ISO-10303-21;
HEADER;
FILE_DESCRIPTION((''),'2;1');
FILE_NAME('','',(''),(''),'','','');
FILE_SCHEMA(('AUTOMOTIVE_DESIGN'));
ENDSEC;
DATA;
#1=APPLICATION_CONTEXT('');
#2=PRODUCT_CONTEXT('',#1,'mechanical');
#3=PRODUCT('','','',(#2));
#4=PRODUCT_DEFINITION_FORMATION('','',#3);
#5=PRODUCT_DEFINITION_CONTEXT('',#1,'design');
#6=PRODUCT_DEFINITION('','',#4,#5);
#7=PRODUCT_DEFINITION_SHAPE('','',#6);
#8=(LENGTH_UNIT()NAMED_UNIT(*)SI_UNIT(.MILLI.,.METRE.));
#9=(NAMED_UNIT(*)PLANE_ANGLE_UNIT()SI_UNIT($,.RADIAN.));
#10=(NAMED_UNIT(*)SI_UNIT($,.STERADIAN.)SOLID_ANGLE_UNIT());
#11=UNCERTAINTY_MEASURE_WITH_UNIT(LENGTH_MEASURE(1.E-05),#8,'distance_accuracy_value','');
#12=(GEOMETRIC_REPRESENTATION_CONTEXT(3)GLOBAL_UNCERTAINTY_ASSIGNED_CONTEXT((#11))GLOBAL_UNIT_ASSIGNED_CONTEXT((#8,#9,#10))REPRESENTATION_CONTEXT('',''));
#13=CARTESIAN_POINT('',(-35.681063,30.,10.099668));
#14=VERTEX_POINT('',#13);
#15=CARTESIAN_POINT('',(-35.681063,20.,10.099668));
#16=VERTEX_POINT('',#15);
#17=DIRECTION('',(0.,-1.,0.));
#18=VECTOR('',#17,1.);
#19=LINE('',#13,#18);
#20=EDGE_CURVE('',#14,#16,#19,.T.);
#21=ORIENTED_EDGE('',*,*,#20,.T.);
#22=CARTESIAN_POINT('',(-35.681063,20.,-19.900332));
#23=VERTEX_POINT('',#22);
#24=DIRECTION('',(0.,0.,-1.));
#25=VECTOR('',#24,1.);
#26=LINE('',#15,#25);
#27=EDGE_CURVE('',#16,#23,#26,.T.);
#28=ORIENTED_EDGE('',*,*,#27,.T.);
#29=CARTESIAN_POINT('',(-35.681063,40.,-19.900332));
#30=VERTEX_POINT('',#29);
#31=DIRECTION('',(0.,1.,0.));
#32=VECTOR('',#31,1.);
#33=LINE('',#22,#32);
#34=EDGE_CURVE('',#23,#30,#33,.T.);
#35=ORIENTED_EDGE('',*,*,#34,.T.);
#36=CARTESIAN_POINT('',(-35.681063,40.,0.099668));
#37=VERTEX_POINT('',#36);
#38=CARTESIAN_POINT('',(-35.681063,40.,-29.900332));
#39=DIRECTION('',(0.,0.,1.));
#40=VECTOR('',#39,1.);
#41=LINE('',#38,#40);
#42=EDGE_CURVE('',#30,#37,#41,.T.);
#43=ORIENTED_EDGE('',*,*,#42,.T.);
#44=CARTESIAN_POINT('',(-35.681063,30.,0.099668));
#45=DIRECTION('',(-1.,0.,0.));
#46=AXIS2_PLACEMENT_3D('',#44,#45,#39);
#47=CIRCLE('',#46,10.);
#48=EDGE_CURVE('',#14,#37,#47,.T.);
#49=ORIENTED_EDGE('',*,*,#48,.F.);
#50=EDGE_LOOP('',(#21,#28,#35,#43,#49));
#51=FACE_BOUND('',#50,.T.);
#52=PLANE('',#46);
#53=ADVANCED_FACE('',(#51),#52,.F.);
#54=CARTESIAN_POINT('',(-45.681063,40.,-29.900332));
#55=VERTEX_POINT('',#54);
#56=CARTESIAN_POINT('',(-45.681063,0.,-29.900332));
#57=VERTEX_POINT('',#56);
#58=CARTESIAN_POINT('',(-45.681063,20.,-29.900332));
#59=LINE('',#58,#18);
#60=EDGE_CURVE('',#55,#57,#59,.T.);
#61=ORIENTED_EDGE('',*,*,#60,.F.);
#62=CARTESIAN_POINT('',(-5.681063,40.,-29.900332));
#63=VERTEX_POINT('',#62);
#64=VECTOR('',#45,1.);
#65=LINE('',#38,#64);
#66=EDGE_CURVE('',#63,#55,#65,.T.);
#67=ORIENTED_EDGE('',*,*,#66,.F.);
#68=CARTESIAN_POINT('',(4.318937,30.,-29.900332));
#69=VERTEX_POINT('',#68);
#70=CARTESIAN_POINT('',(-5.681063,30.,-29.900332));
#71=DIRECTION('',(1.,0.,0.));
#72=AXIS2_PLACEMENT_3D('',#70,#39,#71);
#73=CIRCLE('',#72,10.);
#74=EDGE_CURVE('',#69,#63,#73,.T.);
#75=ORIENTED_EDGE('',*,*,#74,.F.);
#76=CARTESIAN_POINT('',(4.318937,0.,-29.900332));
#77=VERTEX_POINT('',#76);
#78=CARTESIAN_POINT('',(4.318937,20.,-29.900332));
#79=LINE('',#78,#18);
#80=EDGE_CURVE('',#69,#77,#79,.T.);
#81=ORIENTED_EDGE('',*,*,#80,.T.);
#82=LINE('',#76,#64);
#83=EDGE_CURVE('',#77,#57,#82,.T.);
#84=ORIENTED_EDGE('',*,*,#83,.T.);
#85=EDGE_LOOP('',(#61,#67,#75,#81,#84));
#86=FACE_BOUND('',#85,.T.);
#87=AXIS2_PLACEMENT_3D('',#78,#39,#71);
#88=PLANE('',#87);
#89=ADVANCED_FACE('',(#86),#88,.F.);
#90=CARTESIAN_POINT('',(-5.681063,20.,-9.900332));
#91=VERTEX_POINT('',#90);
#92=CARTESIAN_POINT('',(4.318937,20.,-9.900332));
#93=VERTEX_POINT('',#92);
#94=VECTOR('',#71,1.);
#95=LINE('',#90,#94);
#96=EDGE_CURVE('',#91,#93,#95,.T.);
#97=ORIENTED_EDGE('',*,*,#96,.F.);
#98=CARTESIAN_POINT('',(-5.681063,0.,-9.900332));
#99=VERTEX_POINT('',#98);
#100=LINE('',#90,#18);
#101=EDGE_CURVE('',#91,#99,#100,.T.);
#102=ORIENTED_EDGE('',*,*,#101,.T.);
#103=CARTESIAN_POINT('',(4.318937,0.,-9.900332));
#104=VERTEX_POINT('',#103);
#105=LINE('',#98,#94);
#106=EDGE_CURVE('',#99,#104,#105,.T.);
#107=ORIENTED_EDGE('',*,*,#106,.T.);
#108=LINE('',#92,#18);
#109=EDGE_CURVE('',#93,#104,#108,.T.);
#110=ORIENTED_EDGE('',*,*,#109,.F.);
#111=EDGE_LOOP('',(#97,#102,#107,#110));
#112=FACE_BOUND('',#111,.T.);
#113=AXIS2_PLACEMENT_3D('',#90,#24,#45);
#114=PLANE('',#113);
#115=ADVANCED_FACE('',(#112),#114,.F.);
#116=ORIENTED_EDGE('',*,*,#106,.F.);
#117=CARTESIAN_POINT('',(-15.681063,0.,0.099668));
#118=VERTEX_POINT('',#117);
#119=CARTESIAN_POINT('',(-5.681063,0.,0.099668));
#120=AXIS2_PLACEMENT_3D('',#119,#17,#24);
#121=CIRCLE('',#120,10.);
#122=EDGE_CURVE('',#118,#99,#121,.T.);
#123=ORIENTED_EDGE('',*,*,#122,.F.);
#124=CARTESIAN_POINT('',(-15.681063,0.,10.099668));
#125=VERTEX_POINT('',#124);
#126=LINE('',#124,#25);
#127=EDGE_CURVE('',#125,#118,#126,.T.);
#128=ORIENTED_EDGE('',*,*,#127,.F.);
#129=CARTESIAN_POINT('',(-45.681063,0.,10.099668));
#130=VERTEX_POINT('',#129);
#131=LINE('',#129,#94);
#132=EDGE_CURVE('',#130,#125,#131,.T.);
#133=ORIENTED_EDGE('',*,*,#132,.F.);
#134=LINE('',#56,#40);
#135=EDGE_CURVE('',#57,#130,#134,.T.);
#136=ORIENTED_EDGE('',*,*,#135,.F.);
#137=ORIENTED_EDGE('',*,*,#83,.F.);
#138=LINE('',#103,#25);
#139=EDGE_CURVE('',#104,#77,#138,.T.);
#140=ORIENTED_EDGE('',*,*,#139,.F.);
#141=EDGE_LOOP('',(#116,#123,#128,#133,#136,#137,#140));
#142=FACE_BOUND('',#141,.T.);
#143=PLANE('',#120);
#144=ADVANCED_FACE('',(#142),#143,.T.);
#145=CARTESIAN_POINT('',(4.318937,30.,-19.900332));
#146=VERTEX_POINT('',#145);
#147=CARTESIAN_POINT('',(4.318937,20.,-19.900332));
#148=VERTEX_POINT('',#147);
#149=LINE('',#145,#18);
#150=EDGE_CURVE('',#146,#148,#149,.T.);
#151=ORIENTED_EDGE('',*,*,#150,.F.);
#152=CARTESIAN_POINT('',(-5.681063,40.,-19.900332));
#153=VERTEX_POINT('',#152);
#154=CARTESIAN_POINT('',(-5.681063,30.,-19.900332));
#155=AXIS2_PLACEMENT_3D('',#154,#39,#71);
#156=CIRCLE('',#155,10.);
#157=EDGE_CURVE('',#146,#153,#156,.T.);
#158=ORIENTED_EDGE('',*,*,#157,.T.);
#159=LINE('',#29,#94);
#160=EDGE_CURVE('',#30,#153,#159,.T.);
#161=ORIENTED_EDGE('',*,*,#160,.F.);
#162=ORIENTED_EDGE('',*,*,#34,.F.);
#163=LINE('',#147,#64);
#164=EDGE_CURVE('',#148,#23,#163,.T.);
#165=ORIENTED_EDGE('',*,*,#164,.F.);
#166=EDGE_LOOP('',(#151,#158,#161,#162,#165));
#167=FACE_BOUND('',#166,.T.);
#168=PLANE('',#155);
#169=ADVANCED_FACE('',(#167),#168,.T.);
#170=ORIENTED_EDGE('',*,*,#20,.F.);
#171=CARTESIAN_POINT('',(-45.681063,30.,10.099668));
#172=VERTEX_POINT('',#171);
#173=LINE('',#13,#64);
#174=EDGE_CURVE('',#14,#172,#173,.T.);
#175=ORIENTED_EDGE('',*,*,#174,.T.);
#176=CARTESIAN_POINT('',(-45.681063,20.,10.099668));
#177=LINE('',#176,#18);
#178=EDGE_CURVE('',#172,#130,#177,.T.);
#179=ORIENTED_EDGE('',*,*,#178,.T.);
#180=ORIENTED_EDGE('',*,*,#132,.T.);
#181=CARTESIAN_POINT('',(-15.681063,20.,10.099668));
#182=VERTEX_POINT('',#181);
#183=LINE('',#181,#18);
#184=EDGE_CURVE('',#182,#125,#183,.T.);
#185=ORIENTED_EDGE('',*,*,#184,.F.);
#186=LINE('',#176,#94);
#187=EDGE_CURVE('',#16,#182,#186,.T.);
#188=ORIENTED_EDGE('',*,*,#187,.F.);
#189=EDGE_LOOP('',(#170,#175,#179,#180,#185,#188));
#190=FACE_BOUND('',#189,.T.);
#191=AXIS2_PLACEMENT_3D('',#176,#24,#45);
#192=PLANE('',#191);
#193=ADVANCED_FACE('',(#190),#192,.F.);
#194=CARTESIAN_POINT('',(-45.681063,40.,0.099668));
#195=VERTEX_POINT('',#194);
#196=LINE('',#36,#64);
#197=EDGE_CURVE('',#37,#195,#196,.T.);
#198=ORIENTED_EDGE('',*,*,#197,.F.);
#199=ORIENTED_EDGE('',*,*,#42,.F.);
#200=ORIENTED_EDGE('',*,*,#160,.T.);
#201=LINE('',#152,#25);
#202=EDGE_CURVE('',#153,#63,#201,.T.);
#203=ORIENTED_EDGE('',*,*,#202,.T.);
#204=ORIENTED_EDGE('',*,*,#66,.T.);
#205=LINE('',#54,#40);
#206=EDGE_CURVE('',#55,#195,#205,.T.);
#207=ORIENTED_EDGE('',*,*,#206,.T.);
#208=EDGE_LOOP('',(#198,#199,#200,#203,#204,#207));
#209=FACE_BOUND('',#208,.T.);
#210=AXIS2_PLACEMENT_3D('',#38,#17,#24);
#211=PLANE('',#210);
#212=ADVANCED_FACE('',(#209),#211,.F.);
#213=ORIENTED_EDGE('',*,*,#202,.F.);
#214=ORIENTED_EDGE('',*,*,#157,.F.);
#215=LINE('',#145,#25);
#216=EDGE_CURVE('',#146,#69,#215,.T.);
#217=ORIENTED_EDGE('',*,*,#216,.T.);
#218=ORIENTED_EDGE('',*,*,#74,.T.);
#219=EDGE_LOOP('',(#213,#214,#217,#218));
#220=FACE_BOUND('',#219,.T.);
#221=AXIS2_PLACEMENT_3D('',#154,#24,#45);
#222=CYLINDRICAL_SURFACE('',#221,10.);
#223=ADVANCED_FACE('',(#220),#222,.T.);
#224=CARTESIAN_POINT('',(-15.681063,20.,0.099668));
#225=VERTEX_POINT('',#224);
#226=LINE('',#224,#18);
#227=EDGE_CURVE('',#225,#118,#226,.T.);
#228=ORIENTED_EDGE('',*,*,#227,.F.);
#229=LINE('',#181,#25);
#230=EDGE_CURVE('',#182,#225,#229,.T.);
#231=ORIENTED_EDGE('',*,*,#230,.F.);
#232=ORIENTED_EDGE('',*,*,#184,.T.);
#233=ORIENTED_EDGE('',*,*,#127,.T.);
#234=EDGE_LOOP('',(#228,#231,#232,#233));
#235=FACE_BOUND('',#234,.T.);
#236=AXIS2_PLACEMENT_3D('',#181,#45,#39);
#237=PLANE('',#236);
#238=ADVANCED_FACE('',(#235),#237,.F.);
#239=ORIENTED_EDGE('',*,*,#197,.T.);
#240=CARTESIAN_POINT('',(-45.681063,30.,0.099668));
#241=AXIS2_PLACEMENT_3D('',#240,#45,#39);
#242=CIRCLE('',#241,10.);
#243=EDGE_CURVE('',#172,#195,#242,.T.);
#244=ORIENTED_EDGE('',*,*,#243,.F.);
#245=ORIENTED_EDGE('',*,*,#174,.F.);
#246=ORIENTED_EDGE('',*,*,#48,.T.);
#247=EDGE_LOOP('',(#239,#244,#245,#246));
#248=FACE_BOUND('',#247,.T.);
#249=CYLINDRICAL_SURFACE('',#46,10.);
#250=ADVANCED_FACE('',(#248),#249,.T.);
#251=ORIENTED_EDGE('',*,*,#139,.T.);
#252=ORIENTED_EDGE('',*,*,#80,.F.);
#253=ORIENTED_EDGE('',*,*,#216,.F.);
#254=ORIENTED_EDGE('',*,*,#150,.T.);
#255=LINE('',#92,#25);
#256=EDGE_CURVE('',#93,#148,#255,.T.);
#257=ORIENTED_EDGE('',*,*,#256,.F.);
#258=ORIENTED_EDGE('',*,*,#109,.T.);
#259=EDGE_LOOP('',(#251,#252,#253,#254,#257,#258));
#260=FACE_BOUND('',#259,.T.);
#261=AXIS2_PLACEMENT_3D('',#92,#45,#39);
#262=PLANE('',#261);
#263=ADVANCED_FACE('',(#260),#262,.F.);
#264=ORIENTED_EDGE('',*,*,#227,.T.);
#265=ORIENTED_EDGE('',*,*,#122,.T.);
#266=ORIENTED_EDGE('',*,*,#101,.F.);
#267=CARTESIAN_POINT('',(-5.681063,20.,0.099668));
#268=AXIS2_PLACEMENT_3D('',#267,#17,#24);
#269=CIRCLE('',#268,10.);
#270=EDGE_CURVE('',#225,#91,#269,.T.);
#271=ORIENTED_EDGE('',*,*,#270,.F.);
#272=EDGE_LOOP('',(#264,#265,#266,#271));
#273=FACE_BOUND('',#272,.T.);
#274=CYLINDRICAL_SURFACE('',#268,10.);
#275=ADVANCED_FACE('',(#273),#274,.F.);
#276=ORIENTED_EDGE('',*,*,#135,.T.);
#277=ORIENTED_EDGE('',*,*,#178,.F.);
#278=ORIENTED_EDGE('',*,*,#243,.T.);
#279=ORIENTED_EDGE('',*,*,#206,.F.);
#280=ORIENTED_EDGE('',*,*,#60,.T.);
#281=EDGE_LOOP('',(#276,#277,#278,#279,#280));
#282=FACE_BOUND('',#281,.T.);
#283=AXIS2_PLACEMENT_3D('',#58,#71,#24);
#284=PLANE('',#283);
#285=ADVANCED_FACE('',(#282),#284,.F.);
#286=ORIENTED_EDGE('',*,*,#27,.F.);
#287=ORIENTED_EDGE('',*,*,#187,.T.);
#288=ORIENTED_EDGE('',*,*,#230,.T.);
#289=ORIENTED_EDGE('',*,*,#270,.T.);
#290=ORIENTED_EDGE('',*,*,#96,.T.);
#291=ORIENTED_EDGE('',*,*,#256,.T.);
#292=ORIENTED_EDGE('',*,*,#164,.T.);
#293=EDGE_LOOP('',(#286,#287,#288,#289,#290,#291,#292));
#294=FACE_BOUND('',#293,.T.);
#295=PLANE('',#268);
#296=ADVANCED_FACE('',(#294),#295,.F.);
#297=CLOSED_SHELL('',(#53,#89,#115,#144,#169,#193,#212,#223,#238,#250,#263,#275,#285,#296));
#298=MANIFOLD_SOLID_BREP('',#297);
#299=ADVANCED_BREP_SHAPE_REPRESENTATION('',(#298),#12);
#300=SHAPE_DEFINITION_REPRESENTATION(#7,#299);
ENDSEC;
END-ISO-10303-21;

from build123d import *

# Parameters (mm, degrees)
BOSS_EXTRUDE1_DEPTH = 20
BOSS_EXTRUDE2_DEPTH = 10
BOSS_EXTRUDE3_DEPTH = 10


with BuildPart() as part:
    # Sketch1 → Boss-Extrude1 (new body)
    with BuildSketch(Plane(origin=(0, 0, 0), x_dir=(1, 0, 0), z_dir=(0, 1, 0))):
        with BuildLine():
            Line((-45.681063123, 29.900332226), (-45.681063123, -10.099667774))
            Line((-45.681063123, -10.099667774), (-15.681063123, -10.099667774))
            Line((-15.681063123, -10.099667774), (-15.681063123, -0.099667774))
            ThreePointArc((-15.681063123, -0.099667774), (-12.752130935, 6.971400038), (-5.681063123, 9.900332226))
            Line((-5.681063123, 9.900332226), (4.318936877, 9.900332226))
            Line((4.318936877, 9.900332226), (4.318936877, 29.900332226))
            Line((4.318936877, 29.900332226), (-45.681063123, 29.900332226))
        make_face()
    extrude(amount=BOSS_EXTRUDE1_DEPTH)

    # Sketch2 → Boss-Extrude2 (add)
    with BuildSketch(Plane.ZY.offset(45.681063123)):
        with BuildLine():
            Line((-29.900332226, 20), (-29.900332226, 40))
            Line((-29.900332226, 40), (0.099667774, 40))
            ThreePointArc((0.099667774, 40), (7.170735586, 37.071067812), (10.099667774, 30))
            Line((10.099667774, 30), (10.099667774, 20))
            Line((10.099667774, 20), (-29.900332226, 20))
        make_face()
    extrude(amount=-BOSS_EXTRUDE2_DEPTH)

    # Sketch3 → Boss-Extrude3 (add)
    with BuildSketch(Plane(origin=(0, 0, -29.900332226), x_dir=(-1, 0, 0), z_dir=(0, 0, -1))):
        with BuildLine():
            Line((-4.318936877, 20), (35.681063123, 20))
            Line((35.681063123, 20), (35.681063123, 40))
            Line((35.681063123, 40), (5.681063123, 40))
            ThreePointArc((5.681063123, 40), (-1.390004689, 37.071067812), (-4.318936877, 30))
            Line((-4.318936877, 30), (-4.318936877, 20))
        make_face()
    extrude(amount=-BOSS_EXTRUDE3_DEPTH)


solid = part.part
